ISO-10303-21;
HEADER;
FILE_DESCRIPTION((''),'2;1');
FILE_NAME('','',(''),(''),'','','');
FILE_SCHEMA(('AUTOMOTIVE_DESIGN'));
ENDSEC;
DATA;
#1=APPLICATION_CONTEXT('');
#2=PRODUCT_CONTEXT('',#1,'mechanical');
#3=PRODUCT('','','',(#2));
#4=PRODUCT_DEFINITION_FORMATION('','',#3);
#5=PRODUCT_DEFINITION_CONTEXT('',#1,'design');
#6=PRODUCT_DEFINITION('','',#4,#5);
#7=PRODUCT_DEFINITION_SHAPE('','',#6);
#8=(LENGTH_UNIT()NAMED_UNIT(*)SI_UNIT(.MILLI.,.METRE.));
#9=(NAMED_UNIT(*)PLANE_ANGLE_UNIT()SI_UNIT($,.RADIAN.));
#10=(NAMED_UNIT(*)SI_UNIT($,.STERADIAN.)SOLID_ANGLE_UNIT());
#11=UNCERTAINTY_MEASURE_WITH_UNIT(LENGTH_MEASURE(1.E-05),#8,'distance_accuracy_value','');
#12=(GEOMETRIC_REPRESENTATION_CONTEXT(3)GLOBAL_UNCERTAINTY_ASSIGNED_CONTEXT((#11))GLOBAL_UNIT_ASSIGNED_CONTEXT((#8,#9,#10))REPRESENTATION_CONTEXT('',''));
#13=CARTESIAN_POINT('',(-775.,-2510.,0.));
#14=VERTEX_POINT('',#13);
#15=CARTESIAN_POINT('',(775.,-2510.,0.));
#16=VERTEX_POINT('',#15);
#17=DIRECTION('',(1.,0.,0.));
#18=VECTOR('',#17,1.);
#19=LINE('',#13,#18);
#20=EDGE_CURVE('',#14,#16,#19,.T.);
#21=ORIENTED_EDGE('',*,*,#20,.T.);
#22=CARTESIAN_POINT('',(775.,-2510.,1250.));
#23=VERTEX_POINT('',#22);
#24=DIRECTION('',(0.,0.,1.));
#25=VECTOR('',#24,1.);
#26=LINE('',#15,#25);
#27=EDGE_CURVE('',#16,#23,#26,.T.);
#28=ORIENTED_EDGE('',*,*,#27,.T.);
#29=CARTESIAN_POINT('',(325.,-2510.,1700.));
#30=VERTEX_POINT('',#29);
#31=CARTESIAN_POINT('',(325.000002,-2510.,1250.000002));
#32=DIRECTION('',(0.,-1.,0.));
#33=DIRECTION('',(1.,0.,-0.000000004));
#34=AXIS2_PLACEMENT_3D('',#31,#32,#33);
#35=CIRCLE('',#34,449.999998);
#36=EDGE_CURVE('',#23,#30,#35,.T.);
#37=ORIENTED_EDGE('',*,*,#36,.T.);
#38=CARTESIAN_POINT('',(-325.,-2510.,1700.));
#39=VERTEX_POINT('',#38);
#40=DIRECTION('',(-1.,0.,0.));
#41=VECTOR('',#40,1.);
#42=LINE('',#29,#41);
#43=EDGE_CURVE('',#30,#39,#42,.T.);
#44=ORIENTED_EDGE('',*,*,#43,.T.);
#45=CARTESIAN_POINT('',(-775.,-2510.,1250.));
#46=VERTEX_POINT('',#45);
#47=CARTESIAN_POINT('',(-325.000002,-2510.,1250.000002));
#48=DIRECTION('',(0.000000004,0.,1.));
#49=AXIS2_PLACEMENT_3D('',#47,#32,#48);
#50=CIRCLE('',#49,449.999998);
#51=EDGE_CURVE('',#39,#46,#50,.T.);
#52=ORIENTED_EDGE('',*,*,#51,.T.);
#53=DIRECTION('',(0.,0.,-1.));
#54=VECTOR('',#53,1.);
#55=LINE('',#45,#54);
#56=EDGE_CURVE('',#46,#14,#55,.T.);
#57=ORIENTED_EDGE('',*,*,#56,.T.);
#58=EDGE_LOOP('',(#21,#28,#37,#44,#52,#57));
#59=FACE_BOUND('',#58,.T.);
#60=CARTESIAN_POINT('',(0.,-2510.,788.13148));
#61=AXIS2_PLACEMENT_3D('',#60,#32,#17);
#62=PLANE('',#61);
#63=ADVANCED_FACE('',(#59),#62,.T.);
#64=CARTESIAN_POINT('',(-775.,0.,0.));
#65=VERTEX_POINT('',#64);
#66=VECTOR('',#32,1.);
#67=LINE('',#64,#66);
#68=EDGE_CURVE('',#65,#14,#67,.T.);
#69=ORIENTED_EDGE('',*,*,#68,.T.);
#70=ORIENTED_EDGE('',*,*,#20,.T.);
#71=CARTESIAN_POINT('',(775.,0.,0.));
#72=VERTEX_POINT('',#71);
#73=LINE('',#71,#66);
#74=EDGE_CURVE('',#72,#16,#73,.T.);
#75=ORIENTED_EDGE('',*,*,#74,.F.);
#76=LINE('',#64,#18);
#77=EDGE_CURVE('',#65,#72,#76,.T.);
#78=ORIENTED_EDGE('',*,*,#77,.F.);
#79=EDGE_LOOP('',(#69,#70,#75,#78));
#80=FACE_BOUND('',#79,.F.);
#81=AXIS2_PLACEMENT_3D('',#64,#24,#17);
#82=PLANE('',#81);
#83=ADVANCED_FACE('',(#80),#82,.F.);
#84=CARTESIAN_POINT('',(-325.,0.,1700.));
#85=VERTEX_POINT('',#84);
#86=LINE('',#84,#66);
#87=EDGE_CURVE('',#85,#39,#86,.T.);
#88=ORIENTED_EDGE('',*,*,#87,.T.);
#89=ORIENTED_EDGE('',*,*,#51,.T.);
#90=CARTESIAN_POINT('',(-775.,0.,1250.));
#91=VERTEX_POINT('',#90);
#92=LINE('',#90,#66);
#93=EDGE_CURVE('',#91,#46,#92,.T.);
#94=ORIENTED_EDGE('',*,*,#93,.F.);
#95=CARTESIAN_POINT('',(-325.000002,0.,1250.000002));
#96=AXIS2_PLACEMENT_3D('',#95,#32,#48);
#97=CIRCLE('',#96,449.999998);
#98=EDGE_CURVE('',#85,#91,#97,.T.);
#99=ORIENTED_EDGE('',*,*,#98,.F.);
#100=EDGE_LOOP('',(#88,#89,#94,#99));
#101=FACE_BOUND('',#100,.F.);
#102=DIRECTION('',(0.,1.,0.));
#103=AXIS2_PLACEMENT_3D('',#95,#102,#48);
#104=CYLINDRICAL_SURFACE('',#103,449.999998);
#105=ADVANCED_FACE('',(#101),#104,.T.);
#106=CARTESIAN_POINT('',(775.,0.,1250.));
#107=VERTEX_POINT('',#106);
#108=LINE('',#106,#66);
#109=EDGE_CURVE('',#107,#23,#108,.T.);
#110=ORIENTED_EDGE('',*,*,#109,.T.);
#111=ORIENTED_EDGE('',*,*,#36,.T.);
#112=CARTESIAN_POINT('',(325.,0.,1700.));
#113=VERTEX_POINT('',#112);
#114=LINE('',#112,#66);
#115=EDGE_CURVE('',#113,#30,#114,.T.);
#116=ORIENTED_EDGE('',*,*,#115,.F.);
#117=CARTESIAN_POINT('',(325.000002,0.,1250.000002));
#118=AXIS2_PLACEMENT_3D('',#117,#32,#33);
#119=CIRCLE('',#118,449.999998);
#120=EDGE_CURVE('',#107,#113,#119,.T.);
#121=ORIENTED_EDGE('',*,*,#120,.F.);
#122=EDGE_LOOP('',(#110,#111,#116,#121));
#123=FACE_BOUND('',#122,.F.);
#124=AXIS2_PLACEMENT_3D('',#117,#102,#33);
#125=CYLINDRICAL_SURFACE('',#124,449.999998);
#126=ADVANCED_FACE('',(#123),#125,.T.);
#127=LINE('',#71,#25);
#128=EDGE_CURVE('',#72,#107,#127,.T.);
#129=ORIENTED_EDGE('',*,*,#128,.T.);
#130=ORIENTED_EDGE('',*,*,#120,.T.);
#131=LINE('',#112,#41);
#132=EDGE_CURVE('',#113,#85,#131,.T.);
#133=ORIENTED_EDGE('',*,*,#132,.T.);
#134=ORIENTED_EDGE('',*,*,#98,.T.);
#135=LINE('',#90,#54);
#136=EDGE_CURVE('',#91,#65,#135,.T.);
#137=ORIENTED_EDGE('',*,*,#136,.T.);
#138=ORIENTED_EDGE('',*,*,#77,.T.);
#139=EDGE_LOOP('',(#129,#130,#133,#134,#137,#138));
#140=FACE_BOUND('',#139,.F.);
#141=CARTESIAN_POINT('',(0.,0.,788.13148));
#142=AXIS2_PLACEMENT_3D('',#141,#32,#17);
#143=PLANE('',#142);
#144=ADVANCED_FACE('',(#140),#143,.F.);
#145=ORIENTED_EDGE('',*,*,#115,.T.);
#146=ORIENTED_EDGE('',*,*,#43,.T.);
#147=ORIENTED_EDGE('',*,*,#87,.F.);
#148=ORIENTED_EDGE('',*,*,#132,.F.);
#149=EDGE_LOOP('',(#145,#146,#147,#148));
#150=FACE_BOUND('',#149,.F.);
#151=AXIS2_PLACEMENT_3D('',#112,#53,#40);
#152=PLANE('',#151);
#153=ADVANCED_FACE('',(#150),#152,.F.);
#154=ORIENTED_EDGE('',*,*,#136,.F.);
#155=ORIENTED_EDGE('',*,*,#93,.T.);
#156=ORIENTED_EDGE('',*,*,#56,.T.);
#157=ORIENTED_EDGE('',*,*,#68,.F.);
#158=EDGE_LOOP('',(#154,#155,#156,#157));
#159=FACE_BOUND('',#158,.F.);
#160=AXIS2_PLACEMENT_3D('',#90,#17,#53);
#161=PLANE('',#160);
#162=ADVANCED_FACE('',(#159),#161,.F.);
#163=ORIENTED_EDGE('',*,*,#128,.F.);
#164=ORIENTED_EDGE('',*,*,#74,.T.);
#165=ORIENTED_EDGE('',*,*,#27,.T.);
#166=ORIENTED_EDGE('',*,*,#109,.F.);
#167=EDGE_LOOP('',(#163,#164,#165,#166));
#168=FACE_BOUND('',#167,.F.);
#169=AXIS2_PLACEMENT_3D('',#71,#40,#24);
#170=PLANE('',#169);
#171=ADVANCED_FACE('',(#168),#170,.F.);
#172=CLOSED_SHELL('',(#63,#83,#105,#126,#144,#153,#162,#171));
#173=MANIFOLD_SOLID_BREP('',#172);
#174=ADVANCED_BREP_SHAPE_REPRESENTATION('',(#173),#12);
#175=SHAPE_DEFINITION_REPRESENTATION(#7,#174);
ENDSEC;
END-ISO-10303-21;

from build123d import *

# Parameters (mm, degrees)
F1_DEPTH = 2510


with BuildPart() as f1:
    # F0 (on Front) → F1 (new body)
    with BuildSketch(Plane.XZ):
        with BuildLine():
            Line((-775, 1250), (-775, 0))
            Line((-775, 0), (775, 0))
            Line((775, 0), (775, 1250))
            ThreePointArc((775, 1250), (643.198052, 1568.198052), (325, 1700))
            Line((325, 1700), (-325, 1700))
            ThreePointArc((-325, 1700), (-643.198052, 1568.198052), (-775, 1250))
        make_face()
    extrude(amount=F1_DEPTH)


solid = f1.part
